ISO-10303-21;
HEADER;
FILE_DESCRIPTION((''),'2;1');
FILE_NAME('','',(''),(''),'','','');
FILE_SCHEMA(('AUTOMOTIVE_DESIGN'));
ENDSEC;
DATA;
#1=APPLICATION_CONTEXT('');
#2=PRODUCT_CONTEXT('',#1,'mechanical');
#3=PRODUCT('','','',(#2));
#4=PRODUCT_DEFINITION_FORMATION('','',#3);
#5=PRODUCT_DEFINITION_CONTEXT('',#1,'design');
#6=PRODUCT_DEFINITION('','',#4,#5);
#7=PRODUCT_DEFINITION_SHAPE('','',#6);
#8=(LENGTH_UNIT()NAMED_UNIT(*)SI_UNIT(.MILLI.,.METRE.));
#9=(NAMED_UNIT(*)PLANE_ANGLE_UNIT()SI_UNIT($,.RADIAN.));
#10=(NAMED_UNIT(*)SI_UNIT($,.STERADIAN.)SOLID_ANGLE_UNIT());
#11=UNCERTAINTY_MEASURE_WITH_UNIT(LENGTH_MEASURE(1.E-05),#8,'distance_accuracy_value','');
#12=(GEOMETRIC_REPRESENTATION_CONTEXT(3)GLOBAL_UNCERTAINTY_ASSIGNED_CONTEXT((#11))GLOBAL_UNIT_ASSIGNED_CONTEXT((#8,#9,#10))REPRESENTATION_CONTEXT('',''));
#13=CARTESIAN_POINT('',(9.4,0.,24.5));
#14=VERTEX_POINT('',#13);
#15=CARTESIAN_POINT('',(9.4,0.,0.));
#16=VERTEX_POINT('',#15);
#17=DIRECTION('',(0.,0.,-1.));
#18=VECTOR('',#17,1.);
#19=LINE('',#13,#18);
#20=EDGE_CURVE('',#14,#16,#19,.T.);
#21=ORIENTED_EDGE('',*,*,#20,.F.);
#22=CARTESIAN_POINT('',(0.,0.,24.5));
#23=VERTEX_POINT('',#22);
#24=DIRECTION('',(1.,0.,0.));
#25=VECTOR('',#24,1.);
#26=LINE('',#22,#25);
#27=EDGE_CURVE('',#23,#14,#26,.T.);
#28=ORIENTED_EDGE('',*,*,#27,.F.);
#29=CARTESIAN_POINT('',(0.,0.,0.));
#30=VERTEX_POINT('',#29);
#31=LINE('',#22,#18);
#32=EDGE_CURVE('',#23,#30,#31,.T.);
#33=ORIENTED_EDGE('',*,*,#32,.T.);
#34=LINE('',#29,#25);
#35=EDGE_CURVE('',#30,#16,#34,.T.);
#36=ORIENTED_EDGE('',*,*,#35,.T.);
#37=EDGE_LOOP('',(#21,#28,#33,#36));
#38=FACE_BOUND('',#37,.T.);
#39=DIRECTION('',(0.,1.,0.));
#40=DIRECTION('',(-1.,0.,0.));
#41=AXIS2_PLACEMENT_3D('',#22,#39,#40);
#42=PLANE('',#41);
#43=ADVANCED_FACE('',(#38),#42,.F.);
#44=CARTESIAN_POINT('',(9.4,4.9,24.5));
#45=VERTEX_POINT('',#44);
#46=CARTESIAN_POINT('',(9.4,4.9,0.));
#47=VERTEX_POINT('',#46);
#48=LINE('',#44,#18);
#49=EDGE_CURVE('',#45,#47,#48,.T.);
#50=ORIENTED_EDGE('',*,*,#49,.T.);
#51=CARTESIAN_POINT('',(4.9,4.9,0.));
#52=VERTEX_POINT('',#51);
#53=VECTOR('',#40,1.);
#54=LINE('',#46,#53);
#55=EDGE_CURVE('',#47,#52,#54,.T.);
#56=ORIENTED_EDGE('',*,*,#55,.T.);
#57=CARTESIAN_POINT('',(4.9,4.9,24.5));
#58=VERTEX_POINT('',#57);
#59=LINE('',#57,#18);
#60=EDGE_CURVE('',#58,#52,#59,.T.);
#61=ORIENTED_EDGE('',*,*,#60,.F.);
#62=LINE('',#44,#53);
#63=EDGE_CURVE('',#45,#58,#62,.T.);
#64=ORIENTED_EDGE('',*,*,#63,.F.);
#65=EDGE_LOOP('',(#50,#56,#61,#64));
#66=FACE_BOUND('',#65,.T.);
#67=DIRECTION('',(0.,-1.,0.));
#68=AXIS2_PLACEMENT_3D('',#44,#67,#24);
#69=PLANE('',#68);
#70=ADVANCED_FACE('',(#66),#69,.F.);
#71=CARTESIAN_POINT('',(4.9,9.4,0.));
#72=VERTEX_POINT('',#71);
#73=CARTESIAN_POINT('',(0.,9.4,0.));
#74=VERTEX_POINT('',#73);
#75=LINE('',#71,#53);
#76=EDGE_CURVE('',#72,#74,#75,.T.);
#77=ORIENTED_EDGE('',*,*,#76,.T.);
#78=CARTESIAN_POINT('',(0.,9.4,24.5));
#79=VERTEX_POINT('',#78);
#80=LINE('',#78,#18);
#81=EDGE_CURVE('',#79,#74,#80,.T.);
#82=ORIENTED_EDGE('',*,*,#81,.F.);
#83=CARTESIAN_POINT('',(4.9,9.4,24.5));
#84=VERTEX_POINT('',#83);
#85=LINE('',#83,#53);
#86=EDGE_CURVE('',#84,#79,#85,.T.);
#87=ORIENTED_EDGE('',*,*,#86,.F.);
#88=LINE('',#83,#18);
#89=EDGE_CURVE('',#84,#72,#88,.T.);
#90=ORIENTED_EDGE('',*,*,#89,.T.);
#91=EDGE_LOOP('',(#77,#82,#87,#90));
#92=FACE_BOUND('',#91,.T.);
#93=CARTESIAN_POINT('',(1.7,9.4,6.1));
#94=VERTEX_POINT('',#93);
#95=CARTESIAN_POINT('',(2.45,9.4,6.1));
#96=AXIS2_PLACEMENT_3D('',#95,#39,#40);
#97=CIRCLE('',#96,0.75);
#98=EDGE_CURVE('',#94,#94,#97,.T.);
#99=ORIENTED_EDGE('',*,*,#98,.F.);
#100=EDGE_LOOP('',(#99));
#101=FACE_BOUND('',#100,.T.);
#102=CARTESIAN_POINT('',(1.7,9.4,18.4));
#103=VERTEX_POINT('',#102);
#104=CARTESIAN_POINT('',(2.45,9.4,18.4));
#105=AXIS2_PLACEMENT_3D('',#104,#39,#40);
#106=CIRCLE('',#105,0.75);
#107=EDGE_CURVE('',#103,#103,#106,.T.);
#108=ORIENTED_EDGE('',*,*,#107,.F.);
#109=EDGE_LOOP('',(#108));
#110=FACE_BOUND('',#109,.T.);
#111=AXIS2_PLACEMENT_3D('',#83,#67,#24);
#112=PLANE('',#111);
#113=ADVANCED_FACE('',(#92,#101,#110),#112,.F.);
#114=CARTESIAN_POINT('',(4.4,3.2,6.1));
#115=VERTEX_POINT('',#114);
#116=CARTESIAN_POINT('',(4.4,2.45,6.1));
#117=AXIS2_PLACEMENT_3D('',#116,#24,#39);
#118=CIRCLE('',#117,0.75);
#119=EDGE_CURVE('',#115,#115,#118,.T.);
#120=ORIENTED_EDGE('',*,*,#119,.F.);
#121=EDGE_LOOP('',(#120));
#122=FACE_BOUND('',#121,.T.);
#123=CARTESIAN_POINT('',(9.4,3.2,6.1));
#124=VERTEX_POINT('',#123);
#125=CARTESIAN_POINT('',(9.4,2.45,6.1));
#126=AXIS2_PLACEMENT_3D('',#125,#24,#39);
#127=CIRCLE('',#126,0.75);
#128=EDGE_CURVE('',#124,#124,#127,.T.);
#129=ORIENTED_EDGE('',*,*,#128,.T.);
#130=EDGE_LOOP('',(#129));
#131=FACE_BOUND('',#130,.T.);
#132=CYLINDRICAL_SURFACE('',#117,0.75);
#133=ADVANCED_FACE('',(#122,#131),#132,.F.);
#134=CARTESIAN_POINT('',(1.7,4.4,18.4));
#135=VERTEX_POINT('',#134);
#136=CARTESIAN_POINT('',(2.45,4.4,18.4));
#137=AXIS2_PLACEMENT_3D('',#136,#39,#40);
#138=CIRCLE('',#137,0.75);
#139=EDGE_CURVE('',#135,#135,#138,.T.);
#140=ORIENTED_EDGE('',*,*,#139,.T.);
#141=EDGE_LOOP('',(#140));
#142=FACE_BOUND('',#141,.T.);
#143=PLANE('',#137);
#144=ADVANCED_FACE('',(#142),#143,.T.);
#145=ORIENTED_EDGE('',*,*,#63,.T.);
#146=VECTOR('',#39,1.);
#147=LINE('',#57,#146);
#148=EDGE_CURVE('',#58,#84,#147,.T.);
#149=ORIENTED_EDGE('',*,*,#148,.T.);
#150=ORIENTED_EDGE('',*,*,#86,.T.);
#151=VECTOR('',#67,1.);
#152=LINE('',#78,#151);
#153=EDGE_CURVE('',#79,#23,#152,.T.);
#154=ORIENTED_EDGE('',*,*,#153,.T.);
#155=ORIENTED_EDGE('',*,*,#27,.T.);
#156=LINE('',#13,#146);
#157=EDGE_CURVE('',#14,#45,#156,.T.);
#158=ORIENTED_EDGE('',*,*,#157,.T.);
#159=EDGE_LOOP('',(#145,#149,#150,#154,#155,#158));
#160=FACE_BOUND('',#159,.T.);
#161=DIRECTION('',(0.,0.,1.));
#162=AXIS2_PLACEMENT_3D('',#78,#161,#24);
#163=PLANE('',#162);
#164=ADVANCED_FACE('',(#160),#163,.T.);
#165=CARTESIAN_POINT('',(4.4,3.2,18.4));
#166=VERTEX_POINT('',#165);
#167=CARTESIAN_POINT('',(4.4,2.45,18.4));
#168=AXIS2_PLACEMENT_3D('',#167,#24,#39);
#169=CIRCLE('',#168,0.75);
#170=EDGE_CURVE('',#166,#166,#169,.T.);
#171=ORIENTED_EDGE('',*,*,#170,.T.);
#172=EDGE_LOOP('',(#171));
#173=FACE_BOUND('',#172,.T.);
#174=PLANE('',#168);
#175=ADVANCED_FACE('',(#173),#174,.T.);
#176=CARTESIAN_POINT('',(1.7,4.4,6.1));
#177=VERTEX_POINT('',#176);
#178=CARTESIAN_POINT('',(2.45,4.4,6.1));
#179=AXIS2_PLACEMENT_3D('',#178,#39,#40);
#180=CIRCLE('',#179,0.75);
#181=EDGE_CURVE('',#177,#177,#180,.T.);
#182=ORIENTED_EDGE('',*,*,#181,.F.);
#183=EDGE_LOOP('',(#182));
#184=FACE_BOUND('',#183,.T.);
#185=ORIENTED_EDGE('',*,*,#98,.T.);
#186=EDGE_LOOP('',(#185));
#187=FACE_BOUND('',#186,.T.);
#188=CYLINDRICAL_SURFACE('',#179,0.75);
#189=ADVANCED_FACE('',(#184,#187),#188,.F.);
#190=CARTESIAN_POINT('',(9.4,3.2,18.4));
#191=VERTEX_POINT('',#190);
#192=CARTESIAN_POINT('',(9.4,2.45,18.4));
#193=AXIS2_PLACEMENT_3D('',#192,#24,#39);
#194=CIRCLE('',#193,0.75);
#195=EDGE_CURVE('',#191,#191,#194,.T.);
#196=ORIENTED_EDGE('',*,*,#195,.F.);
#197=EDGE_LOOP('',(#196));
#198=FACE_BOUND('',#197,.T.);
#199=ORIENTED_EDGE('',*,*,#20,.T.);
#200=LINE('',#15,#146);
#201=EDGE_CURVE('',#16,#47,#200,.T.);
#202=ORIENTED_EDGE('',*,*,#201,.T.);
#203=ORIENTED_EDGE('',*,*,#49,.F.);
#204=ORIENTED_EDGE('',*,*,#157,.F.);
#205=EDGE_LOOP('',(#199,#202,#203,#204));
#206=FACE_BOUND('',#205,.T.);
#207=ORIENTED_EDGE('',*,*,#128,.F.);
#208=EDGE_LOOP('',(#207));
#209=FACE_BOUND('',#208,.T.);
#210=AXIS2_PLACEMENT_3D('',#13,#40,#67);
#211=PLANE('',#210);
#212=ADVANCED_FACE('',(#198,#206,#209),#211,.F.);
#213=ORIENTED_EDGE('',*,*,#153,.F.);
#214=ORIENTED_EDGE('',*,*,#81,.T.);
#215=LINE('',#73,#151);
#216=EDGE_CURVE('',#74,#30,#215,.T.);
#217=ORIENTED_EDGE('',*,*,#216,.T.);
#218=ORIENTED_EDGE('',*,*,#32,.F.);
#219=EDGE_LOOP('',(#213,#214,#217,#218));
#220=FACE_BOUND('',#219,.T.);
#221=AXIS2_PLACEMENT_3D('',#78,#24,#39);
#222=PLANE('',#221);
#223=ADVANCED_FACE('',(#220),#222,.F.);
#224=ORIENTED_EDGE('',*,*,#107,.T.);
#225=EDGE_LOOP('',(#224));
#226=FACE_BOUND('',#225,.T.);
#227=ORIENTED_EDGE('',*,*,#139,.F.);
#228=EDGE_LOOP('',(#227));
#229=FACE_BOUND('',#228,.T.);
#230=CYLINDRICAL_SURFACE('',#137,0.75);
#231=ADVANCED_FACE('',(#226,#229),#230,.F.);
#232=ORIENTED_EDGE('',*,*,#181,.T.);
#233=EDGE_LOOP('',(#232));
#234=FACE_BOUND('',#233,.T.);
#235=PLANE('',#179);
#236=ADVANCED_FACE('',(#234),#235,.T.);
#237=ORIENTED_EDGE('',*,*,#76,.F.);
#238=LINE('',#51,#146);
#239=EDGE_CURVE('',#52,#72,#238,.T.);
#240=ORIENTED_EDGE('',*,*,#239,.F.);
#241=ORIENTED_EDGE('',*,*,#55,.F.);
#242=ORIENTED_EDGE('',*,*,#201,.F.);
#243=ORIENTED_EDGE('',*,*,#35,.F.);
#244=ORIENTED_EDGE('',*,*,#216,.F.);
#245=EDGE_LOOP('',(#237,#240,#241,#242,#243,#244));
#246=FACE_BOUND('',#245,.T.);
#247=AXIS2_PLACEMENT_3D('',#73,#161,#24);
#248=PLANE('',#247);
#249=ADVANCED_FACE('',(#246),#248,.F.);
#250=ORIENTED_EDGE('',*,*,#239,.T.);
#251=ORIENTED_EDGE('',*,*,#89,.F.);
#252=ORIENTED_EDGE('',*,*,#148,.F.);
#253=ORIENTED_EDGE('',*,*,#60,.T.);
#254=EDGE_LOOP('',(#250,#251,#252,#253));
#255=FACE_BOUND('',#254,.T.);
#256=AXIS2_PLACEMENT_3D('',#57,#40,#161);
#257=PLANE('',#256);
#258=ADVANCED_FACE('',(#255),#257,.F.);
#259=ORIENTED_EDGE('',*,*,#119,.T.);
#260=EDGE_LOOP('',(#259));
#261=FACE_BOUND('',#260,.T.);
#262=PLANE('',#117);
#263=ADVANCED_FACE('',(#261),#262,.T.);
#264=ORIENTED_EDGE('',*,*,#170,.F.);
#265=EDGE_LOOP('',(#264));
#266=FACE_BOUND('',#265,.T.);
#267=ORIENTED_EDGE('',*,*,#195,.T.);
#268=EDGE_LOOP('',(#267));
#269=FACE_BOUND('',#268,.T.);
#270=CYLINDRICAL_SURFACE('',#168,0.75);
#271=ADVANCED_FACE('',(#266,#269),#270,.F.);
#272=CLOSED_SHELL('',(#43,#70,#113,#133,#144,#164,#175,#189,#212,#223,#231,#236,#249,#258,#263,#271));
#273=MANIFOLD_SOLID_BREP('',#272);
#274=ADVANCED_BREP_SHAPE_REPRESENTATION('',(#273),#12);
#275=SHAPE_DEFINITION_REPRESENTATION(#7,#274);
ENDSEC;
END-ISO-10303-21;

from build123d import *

# Parameters (mm, degrees)
EXTRUDE_1_DEPTH     = 24.5
SKETCH_2_R          = 0.75
CUT_EXTRUDE_1_DEPTH = 5
SKETCH_3_R          = 0.75
CUT_EXTRUDE_2_DEPTH = 5


with BuildPart() as part:
    # 草圖1 → 填料-伸長1 (new body)
    with BuildSketch(Plane.XY):
        Polygon((0, 9.4), (0, 0), (9.4, 0), (9.4, 4.9), (4.9, 4.9), (4.9, 9.4), align=None)
    extrude(amount=EXTRUDE_1_DEPTH)

    # 草圖2 → 除料-伸長1 (cut)
    with BuildSketch(Plane(origin=(9.4, 0, 0), x_dir=(0, 0, -1), z_dir=(1, 0, 0))):
        with Locations(Location((-6.1, 2.45, 0), (0, 0, 90))):
            Circle(SKETCH_2_R)
        with Locations(Location((-18.4, 2.45, 0), (0, 0, 90))):
            Circle(SKETCH_2_R)
    extrude(amount=-CUT_EXTRUDE_1_DEPTH, mode=Mode.SUBTRACT)

    # 草圖3 → 除料-伸長2 (cut)
    with BuildSketch(Plane(origin=(0, 9.4, 0), x_dir=(1, 0, 0), z_dir=(0, 1, 0))):
        with Locations(Location((2.45, -6.1, 0), (0, 0, 180))):
            Circle(SKETCH_3_R)
        with Locations(Location((2.45, -18.4, 0), (0, 0, 180))):
            Circle(SKETCH_3_R)
    extrude(amount=-CUT_EXTRUDE_2_DEPTH, mode=Mode.SUBTRACT)


solid = part.part
